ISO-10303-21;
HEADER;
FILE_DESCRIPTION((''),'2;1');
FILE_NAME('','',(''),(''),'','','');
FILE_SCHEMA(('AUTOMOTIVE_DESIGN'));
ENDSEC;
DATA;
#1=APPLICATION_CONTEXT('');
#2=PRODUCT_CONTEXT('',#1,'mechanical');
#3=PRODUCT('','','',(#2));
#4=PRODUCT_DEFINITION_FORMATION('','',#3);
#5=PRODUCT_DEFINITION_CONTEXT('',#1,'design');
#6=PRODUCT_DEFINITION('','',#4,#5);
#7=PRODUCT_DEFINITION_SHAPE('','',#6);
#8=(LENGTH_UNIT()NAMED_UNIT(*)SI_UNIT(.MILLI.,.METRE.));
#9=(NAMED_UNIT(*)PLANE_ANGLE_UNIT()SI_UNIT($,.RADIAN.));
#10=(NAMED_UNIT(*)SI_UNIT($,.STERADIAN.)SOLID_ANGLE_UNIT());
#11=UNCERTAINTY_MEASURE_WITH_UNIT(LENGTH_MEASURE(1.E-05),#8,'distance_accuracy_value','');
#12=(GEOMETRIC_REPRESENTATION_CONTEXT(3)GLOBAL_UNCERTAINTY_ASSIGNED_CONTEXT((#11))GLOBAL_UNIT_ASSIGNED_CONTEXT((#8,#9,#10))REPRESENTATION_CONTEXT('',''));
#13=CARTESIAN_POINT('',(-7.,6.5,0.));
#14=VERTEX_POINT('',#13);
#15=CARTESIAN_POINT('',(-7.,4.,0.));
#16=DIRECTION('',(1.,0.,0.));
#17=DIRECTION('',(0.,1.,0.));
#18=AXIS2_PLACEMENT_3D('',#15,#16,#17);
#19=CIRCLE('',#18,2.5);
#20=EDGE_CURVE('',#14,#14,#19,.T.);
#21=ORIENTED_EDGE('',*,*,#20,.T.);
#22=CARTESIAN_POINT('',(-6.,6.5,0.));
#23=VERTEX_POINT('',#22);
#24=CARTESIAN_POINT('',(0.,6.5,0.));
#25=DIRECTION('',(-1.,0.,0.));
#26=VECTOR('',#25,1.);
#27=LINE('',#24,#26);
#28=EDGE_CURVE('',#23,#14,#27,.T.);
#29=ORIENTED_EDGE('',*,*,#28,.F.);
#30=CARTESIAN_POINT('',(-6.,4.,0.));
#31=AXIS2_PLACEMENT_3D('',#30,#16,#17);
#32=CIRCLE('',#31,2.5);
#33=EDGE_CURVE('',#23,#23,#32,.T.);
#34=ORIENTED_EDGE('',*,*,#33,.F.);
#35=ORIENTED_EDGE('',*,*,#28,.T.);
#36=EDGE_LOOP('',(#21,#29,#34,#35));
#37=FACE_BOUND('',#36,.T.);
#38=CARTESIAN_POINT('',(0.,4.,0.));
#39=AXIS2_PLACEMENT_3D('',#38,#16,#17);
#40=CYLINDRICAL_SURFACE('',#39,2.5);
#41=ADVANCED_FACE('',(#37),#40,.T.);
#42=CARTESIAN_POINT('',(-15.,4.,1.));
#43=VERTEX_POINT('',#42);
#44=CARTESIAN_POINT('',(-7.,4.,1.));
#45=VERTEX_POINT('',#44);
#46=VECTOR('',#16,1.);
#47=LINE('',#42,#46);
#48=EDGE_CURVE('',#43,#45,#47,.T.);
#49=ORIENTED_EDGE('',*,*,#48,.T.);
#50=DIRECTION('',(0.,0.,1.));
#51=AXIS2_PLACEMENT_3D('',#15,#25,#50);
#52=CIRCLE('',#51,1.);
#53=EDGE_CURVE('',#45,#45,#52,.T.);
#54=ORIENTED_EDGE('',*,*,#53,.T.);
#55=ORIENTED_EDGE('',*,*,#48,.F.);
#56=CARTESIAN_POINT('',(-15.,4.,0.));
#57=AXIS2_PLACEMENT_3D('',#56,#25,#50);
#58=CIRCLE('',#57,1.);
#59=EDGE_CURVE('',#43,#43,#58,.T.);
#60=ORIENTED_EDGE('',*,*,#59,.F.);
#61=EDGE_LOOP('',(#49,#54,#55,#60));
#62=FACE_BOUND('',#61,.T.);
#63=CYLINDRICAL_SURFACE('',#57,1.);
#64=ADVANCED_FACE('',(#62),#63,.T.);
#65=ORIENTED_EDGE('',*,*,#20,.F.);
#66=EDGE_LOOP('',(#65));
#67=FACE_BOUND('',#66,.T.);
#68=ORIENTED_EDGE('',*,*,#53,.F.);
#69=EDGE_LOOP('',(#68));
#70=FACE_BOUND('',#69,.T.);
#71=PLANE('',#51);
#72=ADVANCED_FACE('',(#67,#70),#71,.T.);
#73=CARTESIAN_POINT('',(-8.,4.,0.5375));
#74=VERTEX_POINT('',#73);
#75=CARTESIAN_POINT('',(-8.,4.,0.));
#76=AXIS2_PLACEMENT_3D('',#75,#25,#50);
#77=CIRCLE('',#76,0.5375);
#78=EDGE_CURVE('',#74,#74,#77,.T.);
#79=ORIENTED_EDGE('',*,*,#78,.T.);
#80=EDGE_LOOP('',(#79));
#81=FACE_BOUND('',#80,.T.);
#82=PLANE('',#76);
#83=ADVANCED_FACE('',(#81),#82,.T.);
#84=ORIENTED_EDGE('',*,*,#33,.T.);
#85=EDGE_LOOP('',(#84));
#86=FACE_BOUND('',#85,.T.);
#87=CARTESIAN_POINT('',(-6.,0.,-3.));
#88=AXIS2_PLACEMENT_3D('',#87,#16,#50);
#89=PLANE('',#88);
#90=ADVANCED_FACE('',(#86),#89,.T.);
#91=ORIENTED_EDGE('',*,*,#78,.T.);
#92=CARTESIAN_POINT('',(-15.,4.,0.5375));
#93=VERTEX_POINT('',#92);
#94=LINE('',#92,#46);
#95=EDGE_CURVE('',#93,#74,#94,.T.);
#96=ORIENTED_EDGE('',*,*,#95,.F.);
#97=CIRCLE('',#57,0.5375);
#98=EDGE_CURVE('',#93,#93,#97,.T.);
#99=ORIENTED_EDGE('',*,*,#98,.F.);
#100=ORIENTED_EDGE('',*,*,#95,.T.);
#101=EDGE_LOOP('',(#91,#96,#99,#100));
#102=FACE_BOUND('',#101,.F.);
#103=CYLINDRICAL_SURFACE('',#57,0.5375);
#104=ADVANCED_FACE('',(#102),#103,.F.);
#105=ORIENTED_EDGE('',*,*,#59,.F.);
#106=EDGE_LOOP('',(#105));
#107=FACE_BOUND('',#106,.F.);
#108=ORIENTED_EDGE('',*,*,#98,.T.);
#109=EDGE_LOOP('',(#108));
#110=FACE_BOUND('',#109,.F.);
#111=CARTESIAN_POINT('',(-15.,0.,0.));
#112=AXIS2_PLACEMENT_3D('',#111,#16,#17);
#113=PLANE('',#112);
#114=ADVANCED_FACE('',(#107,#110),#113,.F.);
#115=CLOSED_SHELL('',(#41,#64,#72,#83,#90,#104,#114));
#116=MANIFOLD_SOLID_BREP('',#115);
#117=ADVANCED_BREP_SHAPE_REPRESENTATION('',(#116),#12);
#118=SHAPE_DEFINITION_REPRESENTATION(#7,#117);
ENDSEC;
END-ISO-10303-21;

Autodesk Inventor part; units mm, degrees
ref_plane "YZ Plane" through (0, 0, 0) normal (1, 0, 0) x (0, 1, 0)
ref_plane "XZ Plane" through (0, 0, 0) normal (0, 1, 0) x (-1, 0, 0)
ref_plane "XY Plane" through (0, 0, 0) normal (0, 0, 1) x (1, 0, 0)
sketch "Sketch1" plane through (0, 0, 0) normal (0, 1, 0) x (-1, 0, 0)
  arc A0 (0, -5) -> (0, 5) centre (0, 0) ccw
  line L0 (0, 5) -> (0, -5)
  dimension "d0" = 10
extrude "Extrusion1" add sketch "Sketch1" along normal blind 10
sketch "Sketch2" plane through (0, 0, 0) normal (1, 0, 0) x (0, 1, 0)
  line L0 (8.0172, -4.5) -> (8.0172, 4.5)
  line L1 (8.0172, 4.5) -> (2.5172, 4.5)
  line L2 (2.5172, -4.5) -> (0.0172, -2)
  line L3 (2.5172, 4.5) -> (0.0172, 2)
  line L4 (0.0172, -2) -> (0.0172, 2)
  line L5 (8.0172, -4.5) -> (2.5172, -4.5)
  point P0 (0, 0)
  dimension "d3" = 9
  dimension "d4" = 8
sketch "Sketch3" plane through (0, 0, 0) normal (1, 0, 0) x (0, 1, 0)
  line L0 (0, 2) -> (3, 5)
  arc A0 (3, 5) -> (0, 2) centre (1, 4) ccw
  line L1 (0, -2) -> (4, -6)
  arc A1 (0, -2) -> (4, -6) centre (1.75, -4.25) ccw
  line L2 (8.0325, 5) -> (11, 5)
  line L3 (11, 5) -> (11, -6)
  line L4 (11, -6) -> (8.0325, -6)
  line L5 (8.0325, -6) -> (8.0325, 5)
  line L6 (2.4911, 4.4911) -> (5, 7)
  line L7 (2.4911, 4.4911) -> (8.0325, 4.4911)
  arc A2 (8.0325, 4.4911) -> (5, 7) centre (7, 6.3303) ccw
  line L8 (2.4911, -4.4911) -> (8.5706, -4.4911)
  arc A3 (2.4911, -4.4911) -> (8.5706, -4.4911) centre (5.5309, -7.5041) ccw
  point P0 (0, 0)
extrude "Extrusion2" cut sketch "Sketch3" against normal through all
sketch "Sketch4" plane through (0, 0, 0) normal (0, 1, 0) x (-1, 0, 0)
  arc A0 (1.0726, -4.4911) -> (1.0726, 4.4911) centre (-1.125, 0) ccw
  arc A1 (1.0726, 4.4911) -> (1.0726, -4.4911) centre (-0.4517, 0) ccw
  point P0 (0, 0)
  point P1 (2.1976, -4.4911)
  point P2 (2.1976, 4.4911)
  dimension "d9" = 1.125
  dimension "d10" = 1.125
extrude "Extrusion3" cut sketch "Sketch4" along normal through all both and the other way through all
sketch "Sketch5" plane through (0, 0, 0) normal (1, 0, 0) x (0, 1, 0)
  line L0 (1.6, -1.2445) -> (1.6, 1.1555)
  line L1 (6.4325, 2.6911) -> (3.1125, 2.6911)
  line L2 (6.4325, -2.6911) -> (6.4325, 2.6911)
  line L3 (6.4325, -2.6911) -> (3.1125, -2.6911)
  line L4 (0, 2) -> (0, -2) projected
  line L5 (8.0325, 4.4911) -> (8.0325, -4.4911) projected
  line L6 (0, 2) -> (2.4911, 4.4911) projected
  line L7 (2.4911, 4.4911) -> (8.0325, 4.4911) projected
  line L8 (8.0325, 4.4911) -> (8.0325, -4.4911) projected
  line L9 (8.0325, -4.4911) -> (2.4911, -4.4911) projected
  line L10 (2.4911, -4.4911) -> (0, -2) projected
  line L11 (0, 2) -> (0, -2) projected
  line L12 (1.6, 1.1555) -> (3.1125, 2.6911)
  line L13 (1.6, -1.2445) -> (3.1125, -2.6911)
  line L14 (1.6, 4.6579) -> (1.6, -5.3823)
  arc A0 (1.6, 4.6579) -> (1.6, -5.3823) centre (3.2437, -0.3622) ccw
  line L15 (1.6, 1.1555) -> (5.4757, 5.0906)
  line L16 (1.6, 1.1555) -> (1.6, 7.5999)
  arc A1 (5.4757, 5.0906) -> (1.6, 7.5999) centre (3.8837, 6.8794) ccw
  line L17 (3.1125, 2.6911) -> (12.4034, 2.6911)
  line L18 (3.1125, 2.6911) -> (8.5318, 8.1936)
  arc A2 (12.4034, 2.6911) -> (8.5318, 8.1936) centre (8.3272, 3.9364) ccw
  line L19 (6.4325, 2.6911) -> (13.6333, 2.6911)
  line L20 (6.4325, 2.6911) -> (6.4325, -9.3636)
  arc A3 (6.4325, -9.3636) -> (13.6333, 2.6911) centre (6.37, -1.1482) ccw
  line L21 (6.4325, -2.6911) -> (6.4325, -11.5775)
  line L22 (6.4325, -2.6911) -> (3.1125, -2.6911)
  line L23 (3.1125, -2.6911) -> (3.2437, -12.8567)
  arc A4 (3.2437, -12.8567) -> (6.4325, -9.3636) centre (5.6123, -11.8169) ccw
  line L24 (1.6, -1.2445) -> (1.6, -8.2222)
  line L25 (1.6, -1.2445) -> (3.1125, -2.6911)
  line L26 (3.1125, -2.6911) -> (3.1946, -9.0574)
  arc A5 (1.6, -8.2222) -> (3.1946, -9.0574) centre (2.6381, -8.1801) ccw
  point P0 (0, 0)
  dimension "d16" = 1.6
  dimension "d18" = 1.6
  dimension "d21" = 1.8
  dimension "d23" = 1.8
  dimension "d24" = 2.4
  dimension "d26" = 3.32
  dimension "d27" = 3.32
extrude "Extrusion4" cut sketch "Sketch5" against normal through all contours L14 L10 L4 L6 L0 | L13 L23 L9 L10 L14 | L14 L6 L7 L15 L12 | L3 L20 L9 L23 | L14 A0 L6 L4 L10 | L10 L9 L23 A5 L24 L14 | L15 L7 L5 L17 L1 | L14 L16 A1 L15 L7 L6 | L2 L17 L5 L9 L20 | L9 L20 A4 L23 | L15 L18 A2 L17 L5 L7 | L9 L5 L17 L19 A3 L20
sketch "Sketch6" plane through (0, 0, 0) normal (1, 0, 0) x (0, 1, 0)
  circle A0 centre (4, 0) radius 2.5
  line L0 (1.6, -1.2445) -> (1.6, 1.1555) projected
  point P0 (0, 0)
  dimension "d31" = 5
  dimension "d32" = 2.4
extrude "Extrusion5" add sketch "Sketch6" against normal blind 15
sketch "Sketch7" plane through (0, 0, 0) normal (0, 1, 0) x (-1, 0, 0)
  arc A0 (3.089, -2.6911) -> (3.7176, -1.2445) centre (-1.125, 0) ccw
  arc A1 (3.7397, 1.1555) -> (3.089, 2.6911) centre (-1.125, 0) ccw projected
  arc A2 (3.7176, -1.2445) -> (3.7397, 1.1555) centre (-1.125, 0) ccw
  arc A3 (3.089, 2.6911) -> (3.089, -2.6911) centre (1.3425, 0) ccw
  point P0 (0, 0)
extrude "Extrusion6" cut sketch "Sketch7" along normal through all
sketch "Sketch8" plane through (-15, 4, 0) normal (-1, 0, 0) x (0, 0, 1)
  circle A0 centre (0, 0) radius 0.5375
  point P0 (0, -4)
  dimension "d37" = 1.075
extrude "Extrusion7" cut sketch "Sketch8" against normal blind 7
sketch "Sketch9" plane through (0, 0, 0) normal (0, 1, 0) x (-1, 0, 0)
  line L0 (6, 3) -> (2, 3)
  line L1 (2, 3) -> (2, -3)
  line L2 (2, -3) -> (6, -3)
  line L3 (6, -3) -> (6, 3)
  point P0 (0, 0)
extrude "Extrusion8" cut sketch "Sketch9" along normal through all both and the other way through all
sketch "Sketch10" plane through (-15, 4, 0) normal (-1, 0, 0) x (0, 0, 1)
  circle A0 centre (0, 0) radius 1
  circle A1 centre (0, 0) radius 3.1623
  point P0 (0, -4)
extrude "Extrusion9" cut sketch "Sketch10" against normal blind 8
properties part number "flat_cranial_window_stabilizer_FAT_May1519"
